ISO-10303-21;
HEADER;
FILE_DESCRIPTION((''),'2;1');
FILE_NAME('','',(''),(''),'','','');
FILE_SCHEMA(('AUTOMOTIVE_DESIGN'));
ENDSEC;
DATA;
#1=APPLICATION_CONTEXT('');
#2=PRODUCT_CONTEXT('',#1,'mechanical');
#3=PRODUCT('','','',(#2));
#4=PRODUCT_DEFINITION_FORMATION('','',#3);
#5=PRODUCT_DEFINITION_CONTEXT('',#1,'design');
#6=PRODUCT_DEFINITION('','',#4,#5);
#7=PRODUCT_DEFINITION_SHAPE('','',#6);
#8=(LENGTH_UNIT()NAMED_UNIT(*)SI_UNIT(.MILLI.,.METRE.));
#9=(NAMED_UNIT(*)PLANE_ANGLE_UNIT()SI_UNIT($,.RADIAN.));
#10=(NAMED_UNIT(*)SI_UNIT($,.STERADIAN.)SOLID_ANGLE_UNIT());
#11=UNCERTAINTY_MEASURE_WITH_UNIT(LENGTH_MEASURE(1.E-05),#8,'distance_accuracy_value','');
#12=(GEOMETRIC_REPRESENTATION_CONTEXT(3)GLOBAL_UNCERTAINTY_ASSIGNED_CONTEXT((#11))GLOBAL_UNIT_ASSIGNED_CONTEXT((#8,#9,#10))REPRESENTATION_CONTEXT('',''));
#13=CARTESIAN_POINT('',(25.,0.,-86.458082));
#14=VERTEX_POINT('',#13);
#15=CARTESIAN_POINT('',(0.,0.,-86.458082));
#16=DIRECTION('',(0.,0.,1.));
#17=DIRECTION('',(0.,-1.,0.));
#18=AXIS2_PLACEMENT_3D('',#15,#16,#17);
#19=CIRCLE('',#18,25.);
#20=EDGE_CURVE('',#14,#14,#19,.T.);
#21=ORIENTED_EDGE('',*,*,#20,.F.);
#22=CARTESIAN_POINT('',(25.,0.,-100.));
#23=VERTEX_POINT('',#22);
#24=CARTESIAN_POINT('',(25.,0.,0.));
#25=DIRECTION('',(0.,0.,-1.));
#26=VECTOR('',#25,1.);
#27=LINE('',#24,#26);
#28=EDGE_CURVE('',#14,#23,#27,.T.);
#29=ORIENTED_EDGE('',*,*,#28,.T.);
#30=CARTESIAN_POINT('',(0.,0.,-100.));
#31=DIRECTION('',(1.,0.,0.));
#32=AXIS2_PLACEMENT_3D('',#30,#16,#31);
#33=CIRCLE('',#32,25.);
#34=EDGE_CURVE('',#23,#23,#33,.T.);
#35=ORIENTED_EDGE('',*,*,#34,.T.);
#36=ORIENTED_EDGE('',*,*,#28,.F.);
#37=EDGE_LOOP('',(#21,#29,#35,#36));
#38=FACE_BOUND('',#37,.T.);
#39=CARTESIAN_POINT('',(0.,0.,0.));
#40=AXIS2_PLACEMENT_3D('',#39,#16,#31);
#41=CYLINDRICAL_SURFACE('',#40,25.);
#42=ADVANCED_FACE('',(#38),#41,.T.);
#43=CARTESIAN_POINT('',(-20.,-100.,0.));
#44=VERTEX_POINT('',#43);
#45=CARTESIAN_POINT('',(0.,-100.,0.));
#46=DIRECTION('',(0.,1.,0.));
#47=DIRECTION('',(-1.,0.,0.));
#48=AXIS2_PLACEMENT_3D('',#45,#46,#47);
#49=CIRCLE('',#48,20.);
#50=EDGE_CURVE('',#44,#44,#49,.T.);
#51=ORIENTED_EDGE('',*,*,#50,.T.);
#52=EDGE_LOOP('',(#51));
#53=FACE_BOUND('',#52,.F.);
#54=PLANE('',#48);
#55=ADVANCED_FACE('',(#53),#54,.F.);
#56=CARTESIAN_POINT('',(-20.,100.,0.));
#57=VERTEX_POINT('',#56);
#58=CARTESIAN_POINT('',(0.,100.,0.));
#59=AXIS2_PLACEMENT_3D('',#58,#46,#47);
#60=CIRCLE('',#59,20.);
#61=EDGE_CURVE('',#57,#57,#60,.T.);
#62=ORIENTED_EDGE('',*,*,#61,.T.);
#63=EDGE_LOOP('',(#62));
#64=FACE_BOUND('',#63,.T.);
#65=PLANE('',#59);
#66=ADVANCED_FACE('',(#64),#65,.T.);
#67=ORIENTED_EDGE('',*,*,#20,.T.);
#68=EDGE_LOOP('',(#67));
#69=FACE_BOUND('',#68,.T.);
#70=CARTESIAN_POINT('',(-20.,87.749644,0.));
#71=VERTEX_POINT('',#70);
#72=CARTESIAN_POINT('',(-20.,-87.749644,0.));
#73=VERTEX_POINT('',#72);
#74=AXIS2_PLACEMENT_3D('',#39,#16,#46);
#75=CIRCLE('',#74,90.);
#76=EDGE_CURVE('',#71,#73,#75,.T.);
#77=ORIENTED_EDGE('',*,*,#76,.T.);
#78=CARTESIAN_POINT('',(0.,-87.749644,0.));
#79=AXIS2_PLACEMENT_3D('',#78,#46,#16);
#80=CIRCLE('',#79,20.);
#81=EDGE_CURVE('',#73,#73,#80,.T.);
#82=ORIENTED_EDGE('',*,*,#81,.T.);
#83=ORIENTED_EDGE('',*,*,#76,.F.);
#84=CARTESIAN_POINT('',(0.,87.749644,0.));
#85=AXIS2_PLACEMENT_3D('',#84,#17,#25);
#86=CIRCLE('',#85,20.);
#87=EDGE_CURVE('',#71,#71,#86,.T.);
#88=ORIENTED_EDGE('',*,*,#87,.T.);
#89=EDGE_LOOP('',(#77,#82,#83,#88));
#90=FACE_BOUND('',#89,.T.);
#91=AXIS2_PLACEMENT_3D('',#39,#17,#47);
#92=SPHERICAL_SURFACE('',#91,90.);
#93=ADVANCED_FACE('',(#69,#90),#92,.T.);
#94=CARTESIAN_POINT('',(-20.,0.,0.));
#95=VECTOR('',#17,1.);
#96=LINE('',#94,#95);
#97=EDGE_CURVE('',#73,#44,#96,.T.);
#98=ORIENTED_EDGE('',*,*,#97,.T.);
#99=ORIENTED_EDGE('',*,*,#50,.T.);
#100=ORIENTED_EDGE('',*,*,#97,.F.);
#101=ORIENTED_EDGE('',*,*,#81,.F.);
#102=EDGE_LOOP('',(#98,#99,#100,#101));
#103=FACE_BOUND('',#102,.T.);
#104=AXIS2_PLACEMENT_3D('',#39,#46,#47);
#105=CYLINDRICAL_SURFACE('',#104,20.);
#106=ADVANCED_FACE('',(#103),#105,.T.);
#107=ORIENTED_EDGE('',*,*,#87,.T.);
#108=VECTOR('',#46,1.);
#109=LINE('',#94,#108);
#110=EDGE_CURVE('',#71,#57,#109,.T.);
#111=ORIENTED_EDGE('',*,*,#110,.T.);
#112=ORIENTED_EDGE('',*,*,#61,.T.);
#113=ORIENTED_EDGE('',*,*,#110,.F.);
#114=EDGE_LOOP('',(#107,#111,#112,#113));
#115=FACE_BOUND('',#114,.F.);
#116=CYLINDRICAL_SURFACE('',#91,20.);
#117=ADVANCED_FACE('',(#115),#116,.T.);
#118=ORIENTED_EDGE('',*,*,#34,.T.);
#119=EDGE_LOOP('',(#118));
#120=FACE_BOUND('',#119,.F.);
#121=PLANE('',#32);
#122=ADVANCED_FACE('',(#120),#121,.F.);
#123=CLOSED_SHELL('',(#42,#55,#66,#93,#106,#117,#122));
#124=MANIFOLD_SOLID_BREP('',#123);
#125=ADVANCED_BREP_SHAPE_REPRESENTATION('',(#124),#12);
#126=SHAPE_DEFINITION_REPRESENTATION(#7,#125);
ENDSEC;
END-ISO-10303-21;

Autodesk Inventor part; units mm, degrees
ref_plane "YZ Plane" through (0, 0, 0) normal (1, 0, 0) x (0, 1, 0)
sketch "スケッチ1" plane through (0, 0, 0) normal (0, 0, 1) x (1, 0, 0)
  arc A0 (0, 90) -> (0, -90) centre (0, 0) ccw
  line L0 (0, 90) -> (0, -90)
  dimension "d0" = 180
revolve "回転1" add sketch "スケッチ1" angle 360 about axis through (0, 90, 0) along (0, -1, 0)
sketch "スケッチ2" plane through (0, 0, 0) normal (0, 1, 0) x (-1, 0, 0)
  circle A0 centre (0, 0) radius 20
  dimension "d2" = 40
extrude "押し出し1" add sketch "スケッチ2" along normal mid plane 200
sketch "スケッチ3" plane through (0, 0, 0) normal (0, 0, 1) x (1, 0, 0)
  circle A0 centre (0, 0) radius 25
  dimension "d5" = 50
extrude "押し出し2" add sketch "スケッチ3" against normal blind 100
properties part number "HeadY"
